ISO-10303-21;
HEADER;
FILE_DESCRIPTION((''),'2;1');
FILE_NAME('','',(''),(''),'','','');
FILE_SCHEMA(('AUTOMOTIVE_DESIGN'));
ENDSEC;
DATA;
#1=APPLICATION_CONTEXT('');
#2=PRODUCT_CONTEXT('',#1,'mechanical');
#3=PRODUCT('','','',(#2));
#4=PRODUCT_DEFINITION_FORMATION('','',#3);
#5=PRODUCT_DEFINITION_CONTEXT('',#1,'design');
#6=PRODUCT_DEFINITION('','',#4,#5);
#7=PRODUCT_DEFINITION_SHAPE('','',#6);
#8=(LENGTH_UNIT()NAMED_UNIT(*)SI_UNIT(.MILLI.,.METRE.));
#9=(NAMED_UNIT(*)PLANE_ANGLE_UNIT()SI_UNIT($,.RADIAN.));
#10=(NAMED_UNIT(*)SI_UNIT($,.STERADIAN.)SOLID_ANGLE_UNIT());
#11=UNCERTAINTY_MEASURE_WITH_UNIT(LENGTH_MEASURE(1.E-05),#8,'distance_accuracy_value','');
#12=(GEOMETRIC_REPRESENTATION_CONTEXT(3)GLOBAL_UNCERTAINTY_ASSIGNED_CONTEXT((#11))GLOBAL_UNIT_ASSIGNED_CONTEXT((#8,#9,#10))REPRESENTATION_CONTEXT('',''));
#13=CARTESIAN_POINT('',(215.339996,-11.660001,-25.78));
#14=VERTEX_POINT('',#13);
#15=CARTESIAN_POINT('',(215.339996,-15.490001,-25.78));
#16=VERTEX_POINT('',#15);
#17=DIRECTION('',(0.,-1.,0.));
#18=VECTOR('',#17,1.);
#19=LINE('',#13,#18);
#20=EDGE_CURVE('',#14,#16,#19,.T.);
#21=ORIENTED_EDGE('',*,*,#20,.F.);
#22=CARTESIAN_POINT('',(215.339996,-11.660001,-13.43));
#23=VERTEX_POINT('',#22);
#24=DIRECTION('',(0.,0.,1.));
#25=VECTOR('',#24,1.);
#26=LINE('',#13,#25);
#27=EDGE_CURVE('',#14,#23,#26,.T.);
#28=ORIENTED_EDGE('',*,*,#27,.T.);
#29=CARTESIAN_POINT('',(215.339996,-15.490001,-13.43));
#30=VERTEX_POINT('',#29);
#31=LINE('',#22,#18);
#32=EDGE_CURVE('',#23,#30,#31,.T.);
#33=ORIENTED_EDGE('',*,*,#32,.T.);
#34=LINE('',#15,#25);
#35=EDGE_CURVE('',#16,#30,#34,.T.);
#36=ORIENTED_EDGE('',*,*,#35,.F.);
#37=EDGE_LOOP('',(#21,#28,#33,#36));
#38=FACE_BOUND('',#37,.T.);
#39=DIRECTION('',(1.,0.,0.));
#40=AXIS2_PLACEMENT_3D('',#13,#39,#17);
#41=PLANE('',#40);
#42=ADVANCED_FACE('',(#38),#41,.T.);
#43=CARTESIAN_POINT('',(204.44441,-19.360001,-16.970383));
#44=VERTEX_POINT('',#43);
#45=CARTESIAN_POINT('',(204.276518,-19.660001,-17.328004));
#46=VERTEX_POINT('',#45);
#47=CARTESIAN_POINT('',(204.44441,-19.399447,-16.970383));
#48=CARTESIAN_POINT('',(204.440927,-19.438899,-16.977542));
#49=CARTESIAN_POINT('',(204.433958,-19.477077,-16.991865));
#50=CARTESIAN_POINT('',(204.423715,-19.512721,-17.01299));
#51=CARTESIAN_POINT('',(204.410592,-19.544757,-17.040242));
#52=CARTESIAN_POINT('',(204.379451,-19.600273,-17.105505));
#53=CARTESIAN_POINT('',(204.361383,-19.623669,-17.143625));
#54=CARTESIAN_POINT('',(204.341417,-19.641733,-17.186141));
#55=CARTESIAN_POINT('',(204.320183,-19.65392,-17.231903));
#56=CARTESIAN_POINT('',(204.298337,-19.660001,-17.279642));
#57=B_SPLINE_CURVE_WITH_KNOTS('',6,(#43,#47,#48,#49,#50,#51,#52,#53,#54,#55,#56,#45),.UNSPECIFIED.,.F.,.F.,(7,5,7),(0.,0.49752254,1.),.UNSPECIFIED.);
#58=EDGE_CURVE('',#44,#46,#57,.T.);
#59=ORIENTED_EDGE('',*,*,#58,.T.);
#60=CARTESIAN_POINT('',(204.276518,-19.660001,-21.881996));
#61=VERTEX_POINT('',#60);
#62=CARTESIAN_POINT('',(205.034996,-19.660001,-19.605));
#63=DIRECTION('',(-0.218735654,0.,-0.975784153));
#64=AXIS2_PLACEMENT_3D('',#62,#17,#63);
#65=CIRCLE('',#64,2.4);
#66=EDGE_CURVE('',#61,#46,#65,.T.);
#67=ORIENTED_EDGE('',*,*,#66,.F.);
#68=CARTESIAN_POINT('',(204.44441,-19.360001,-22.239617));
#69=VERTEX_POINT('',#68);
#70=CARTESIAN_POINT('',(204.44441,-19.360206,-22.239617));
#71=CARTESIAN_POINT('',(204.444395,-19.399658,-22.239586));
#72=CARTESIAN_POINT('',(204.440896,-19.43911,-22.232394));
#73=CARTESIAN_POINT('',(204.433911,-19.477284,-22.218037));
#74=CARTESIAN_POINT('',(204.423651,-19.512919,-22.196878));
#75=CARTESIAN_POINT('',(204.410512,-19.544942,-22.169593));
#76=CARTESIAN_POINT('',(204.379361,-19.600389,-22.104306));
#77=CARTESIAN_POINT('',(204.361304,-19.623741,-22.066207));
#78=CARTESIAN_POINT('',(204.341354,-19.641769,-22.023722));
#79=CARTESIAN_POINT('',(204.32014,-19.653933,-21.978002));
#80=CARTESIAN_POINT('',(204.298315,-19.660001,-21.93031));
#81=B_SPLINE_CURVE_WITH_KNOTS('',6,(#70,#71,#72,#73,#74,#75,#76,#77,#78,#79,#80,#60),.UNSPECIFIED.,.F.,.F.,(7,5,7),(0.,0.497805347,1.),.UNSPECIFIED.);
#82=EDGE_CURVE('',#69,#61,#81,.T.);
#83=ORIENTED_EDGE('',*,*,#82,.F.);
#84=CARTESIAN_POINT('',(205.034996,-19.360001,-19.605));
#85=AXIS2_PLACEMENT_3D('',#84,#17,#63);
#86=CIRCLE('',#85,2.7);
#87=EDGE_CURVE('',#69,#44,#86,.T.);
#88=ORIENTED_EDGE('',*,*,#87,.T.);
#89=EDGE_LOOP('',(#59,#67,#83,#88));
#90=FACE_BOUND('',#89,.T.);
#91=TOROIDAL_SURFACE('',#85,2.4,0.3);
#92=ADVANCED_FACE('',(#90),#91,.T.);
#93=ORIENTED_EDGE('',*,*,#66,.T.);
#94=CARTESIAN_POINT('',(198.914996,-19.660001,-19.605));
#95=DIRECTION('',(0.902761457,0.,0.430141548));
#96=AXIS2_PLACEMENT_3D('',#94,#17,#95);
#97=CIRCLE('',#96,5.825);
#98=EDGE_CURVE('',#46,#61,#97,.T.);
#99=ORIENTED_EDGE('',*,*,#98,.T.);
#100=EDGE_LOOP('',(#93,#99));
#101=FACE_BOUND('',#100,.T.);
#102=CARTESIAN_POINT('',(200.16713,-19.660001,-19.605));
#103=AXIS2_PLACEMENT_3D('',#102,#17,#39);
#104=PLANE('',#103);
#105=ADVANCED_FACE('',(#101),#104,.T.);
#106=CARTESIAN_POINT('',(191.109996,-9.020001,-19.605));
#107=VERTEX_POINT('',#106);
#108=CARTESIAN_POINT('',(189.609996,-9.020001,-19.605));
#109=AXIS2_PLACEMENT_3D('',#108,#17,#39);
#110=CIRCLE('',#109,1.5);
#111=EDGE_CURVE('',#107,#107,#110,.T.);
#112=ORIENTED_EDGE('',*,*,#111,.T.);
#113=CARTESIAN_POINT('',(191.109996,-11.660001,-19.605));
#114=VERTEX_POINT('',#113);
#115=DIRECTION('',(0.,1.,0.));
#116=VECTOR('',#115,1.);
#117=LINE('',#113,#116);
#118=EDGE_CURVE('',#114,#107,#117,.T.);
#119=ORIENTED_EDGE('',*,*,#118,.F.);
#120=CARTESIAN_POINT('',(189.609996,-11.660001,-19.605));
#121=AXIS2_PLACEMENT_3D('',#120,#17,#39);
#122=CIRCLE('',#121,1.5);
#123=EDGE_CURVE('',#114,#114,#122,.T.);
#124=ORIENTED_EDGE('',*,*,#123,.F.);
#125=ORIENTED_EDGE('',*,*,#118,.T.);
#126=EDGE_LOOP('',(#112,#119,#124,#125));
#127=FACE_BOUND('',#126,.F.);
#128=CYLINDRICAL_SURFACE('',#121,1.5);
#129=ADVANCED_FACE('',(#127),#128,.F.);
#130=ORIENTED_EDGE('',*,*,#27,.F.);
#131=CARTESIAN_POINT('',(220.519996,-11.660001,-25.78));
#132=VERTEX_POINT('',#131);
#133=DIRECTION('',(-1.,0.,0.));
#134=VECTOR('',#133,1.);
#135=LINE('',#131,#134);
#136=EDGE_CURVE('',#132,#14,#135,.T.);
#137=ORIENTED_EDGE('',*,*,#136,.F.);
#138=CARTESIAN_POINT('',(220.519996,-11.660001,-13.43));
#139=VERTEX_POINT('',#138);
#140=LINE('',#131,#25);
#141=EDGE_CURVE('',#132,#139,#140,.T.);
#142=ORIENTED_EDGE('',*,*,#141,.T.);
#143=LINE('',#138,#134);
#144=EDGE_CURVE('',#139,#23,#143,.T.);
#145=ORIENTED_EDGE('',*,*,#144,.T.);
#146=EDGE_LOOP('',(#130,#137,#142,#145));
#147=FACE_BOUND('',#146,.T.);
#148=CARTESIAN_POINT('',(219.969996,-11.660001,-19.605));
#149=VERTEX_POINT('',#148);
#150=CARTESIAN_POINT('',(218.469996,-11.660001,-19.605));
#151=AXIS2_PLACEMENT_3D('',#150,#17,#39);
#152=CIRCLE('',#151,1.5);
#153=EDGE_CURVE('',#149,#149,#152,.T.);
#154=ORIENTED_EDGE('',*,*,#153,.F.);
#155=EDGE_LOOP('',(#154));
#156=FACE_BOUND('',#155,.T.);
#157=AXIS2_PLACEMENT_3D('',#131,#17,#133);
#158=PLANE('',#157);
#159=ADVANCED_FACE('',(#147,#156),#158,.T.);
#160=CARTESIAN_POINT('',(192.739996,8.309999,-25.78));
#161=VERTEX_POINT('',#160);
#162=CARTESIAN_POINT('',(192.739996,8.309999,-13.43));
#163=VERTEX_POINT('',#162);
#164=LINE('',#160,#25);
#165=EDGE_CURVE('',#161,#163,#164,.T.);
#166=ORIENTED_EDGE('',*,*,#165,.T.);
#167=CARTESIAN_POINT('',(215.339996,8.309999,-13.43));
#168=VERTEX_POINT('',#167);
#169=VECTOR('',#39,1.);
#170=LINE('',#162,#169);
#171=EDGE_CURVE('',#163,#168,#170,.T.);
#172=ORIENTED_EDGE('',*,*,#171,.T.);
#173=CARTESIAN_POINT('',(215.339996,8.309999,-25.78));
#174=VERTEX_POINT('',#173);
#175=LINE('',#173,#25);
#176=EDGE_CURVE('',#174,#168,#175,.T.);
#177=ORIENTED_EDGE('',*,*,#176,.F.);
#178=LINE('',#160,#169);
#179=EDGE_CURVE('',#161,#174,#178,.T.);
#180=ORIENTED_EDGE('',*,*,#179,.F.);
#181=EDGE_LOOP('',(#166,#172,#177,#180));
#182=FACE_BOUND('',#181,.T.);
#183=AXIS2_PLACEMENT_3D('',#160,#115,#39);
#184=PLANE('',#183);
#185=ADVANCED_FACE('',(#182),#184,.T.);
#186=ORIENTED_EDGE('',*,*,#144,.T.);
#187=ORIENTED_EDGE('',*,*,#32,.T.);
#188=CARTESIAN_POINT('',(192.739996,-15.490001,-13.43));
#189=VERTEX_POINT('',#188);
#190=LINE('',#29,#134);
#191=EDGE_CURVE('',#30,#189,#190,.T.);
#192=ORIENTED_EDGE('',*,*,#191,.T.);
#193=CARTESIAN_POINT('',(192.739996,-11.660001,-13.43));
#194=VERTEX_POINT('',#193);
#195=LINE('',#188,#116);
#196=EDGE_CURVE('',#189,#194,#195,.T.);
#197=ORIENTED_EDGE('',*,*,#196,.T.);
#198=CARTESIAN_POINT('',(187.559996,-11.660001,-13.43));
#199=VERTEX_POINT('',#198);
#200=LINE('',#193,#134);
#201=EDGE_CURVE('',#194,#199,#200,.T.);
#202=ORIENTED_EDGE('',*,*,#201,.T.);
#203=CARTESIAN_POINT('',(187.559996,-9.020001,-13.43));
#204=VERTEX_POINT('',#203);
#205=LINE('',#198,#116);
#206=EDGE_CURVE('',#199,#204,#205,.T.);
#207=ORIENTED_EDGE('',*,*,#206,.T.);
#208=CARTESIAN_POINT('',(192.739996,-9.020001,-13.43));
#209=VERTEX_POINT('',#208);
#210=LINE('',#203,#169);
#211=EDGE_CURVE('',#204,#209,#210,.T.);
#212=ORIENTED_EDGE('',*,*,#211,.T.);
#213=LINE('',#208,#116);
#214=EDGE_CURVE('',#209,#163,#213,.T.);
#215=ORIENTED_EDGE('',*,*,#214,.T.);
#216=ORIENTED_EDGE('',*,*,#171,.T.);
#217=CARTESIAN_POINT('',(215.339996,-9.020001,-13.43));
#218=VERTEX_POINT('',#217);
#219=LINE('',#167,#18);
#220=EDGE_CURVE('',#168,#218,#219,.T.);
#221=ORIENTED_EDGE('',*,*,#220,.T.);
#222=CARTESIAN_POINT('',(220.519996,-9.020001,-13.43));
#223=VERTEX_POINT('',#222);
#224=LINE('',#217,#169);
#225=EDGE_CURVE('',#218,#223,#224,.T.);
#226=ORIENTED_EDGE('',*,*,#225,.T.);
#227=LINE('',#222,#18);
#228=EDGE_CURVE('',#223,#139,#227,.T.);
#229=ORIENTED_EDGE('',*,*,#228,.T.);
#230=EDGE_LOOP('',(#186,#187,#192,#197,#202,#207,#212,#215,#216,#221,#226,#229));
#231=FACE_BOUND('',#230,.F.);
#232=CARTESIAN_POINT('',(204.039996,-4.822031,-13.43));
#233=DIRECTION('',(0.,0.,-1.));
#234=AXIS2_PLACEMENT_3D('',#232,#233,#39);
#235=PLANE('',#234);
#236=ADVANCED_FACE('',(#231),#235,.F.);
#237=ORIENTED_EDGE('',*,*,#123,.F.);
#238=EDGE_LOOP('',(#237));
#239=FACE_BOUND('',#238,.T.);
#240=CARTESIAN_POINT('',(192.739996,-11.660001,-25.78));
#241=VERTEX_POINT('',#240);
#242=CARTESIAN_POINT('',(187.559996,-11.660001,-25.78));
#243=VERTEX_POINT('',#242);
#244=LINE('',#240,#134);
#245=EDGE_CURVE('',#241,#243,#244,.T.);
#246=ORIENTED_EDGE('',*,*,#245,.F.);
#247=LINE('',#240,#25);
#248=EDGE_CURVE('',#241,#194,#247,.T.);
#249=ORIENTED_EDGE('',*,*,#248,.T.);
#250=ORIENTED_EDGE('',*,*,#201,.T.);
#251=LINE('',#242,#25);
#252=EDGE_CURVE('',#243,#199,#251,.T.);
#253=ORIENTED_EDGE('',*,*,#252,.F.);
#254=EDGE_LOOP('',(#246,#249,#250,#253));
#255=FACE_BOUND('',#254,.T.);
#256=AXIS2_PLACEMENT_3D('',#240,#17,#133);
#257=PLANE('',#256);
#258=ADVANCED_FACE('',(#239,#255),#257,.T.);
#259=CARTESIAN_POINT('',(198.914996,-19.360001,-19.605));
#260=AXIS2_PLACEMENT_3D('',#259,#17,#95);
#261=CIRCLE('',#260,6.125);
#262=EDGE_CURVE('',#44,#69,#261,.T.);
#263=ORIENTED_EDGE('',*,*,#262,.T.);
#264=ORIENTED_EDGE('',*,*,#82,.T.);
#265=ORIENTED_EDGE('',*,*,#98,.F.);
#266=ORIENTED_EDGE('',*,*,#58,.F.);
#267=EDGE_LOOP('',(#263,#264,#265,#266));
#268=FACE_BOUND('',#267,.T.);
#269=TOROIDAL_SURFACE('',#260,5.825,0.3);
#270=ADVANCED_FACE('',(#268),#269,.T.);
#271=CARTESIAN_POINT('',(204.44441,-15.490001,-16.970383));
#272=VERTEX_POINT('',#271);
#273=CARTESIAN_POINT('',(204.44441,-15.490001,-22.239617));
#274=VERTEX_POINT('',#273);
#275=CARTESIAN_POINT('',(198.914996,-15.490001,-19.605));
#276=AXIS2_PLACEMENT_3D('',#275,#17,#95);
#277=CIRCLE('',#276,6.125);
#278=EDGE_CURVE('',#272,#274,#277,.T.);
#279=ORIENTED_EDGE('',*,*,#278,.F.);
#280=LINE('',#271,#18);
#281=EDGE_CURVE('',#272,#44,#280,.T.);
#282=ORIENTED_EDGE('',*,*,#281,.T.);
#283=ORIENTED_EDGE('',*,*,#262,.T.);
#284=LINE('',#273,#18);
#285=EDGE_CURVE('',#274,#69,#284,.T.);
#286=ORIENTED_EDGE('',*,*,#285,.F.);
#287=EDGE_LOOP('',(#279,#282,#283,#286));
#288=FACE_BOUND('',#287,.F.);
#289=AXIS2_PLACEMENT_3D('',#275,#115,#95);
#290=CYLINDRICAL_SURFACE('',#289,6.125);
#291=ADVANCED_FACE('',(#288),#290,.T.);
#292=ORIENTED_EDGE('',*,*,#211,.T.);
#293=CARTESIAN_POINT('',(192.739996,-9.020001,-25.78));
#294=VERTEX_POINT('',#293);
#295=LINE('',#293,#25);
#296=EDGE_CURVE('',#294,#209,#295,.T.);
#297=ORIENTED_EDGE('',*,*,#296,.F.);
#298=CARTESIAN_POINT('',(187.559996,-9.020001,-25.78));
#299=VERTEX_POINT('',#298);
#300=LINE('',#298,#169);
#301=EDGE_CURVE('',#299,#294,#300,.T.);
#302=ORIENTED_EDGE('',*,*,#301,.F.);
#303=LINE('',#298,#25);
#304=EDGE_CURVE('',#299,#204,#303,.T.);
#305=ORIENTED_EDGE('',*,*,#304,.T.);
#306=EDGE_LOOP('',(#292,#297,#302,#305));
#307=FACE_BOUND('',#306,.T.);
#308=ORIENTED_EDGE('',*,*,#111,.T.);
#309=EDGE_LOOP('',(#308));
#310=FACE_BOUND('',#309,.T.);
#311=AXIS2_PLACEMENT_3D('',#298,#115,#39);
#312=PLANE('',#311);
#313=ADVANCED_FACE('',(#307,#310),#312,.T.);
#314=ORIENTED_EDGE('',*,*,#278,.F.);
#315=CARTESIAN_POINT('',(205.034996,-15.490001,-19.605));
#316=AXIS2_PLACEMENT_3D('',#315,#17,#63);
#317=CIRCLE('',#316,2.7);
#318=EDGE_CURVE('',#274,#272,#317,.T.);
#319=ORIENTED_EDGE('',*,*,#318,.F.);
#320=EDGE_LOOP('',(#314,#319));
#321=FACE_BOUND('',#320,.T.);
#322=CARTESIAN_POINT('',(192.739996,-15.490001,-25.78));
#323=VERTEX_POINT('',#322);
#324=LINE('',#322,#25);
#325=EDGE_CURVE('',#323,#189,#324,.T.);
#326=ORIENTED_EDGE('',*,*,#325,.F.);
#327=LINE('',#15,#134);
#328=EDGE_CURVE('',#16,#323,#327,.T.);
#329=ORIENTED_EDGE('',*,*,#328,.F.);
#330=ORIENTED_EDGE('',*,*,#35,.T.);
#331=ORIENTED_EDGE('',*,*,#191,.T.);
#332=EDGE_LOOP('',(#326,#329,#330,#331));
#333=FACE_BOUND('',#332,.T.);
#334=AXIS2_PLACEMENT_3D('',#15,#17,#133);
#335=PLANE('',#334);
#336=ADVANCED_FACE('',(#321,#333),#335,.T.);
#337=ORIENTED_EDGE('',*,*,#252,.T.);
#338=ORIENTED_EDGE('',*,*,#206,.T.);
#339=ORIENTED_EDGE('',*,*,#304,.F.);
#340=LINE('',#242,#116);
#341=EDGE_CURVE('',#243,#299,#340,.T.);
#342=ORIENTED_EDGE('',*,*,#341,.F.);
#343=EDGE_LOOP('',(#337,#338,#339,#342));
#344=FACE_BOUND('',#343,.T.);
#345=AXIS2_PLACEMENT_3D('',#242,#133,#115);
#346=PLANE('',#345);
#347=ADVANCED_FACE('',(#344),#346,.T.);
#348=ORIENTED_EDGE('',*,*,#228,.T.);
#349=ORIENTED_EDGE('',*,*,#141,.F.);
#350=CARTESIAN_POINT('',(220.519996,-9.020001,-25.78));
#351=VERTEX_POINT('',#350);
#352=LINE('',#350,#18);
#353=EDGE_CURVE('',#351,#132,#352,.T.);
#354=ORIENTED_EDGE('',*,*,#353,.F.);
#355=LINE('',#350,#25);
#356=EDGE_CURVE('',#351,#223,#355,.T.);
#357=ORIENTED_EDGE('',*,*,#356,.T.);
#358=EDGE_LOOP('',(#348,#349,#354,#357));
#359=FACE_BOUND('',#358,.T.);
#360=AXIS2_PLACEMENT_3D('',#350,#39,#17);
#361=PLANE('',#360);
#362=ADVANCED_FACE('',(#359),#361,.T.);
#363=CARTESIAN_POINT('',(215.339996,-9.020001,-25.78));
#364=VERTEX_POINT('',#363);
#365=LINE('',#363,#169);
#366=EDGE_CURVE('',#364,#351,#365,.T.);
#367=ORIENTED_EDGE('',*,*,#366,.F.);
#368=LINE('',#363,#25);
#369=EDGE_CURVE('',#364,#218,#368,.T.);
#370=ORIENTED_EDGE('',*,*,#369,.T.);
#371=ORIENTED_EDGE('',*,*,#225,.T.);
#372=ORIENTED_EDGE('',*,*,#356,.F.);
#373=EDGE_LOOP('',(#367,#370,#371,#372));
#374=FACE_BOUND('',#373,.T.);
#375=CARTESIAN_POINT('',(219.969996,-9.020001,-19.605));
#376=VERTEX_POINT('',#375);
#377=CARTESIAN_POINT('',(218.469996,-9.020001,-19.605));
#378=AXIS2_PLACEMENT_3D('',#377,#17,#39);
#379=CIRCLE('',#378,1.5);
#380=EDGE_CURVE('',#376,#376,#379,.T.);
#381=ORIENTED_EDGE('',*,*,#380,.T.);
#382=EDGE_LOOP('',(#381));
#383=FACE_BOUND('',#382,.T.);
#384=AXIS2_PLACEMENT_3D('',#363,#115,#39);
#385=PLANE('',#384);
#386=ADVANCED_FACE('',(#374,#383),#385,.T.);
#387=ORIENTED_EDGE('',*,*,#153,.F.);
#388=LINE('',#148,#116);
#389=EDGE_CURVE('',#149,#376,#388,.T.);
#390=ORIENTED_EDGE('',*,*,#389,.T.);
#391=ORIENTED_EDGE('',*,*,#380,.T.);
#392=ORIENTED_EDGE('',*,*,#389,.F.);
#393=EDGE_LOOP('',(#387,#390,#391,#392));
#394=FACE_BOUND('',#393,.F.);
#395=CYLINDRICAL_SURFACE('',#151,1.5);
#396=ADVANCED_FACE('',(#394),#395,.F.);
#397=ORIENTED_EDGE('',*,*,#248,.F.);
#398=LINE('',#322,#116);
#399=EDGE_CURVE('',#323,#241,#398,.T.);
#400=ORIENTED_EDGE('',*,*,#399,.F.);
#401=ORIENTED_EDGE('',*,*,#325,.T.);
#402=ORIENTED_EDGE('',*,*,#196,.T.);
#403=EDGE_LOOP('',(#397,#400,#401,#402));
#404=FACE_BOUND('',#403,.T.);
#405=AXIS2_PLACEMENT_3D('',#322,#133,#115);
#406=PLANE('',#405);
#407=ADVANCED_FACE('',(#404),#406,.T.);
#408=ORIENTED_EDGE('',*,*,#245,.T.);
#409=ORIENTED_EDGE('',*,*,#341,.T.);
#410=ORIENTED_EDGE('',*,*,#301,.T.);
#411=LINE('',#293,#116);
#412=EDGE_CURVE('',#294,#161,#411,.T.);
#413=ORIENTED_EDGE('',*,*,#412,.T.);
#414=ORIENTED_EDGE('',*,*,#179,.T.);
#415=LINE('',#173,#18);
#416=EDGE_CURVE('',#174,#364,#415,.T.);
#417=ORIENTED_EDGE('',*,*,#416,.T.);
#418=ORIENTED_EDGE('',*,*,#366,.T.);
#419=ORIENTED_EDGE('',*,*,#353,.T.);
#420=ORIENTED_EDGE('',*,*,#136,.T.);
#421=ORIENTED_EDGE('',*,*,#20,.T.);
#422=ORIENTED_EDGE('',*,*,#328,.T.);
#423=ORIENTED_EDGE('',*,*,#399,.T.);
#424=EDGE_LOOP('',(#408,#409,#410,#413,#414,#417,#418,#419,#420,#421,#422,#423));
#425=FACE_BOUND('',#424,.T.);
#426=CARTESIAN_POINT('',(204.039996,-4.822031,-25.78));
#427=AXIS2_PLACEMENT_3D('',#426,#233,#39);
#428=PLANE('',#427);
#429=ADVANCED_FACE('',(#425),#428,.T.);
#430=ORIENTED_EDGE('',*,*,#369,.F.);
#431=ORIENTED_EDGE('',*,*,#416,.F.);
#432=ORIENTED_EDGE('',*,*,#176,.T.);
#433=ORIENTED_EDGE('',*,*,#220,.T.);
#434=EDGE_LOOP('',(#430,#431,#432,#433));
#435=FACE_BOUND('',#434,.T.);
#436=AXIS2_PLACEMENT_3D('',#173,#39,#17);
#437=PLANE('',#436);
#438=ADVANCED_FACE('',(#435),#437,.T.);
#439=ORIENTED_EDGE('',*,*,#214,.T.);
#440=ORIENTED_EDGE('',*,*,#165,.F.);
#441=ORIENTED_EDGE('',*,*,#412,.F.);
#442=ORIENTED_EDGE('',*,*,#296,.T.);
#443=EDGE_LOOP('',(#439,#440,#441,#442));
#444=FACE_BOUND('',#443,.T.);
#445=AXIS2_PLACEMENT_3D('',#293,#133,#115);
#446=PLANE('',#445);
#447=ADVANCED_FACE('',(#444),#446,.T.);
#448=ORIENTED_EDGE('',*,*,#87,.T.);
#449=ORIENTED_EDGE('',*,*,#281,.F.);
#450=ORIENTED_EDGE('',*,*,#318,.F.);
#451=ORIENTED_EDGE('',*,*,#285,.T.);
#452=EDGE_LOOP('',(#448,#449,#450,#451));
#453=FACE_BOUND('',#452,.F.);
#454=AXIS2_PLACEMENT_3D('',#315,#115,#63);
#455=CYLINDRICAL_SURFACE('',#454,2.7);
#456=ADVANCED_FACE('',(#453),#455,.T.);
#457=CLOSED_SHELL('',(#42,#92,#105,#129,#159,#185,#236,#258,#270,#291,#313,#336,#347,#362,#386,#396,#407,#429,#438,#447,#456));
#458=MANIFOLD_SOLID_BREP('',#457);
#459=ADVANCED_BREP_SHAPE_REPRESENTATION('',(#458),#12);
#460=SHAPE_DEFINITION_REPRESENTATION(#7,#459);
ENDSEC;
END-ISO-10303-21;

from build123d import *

# Parameters (mm, degrees)
PAD015_DEPTH            = 12.35
PAD016_DEPTH            = 4.17
SKETCH030_R             = 1.5
POCKET008_DEPTH         = 5
FILLET009_R             = 0.3
BODY006_PLACEMENT_ANGLE = 180


with BuildPart() as part:
    # Sketch028 → Pad015 (new body)
    with BuildSketch(Plane.XY):
        Polygon((0, 23.8), (22.6, 23.8), (22.6, 19.97), (27.78, 19.97), (27.78, 17.33), (22.6, 17.33), (22.6, 0), (0, 0), (0, 17.33), (-5.18, 17.33), (-5.18, 19.97), (0, 19.97), align=None)
    extrude(amount=PAD015_DEPTH)

    # Sketch029 (on Face4 of Pad015) → Pad016 (join)
    with BuildSketch(Plane(origin=(0, 23.8, 0), x_dir=(-1, 0, 0), z_dir=(0, 1, 0))):
        with BuildLine():
            ThreePointArc((-10.895586, 8.809617), (-22.55, 6.175), (-10.895586, 3.540383))
            ThreePointArc((-10.895586, 3.540383), (-7.605, 6.175), (-10.895586, 8.809617))
        make_face()
    extrude(amount=PAD016_DEPTH)

    # Sketch030 (on Face10 of Pad016) → Pocket008 (cut)
    with BuildSketch(Plane(origin=(0, 19.97, 0), x_dir=(-1, 0, 0), z_dir=(0, 1, 0))):
        with Locations((-25.73, 6.175)):
            Circle(SKETCH030_R)
        with Locations((3.13, 6.175)):
            Circle(SKETCH030_R)
    extrude(amount=-POCKET008_DEPTH, mode=Mode.SUBTRACT)

    # Fillet009
    fillet009_edges = [part.edges().sort_by_distance(p)[0] for p in [
        (22.55, 27.97, 6.175),
        (7.605, 27.97, 6.175),
    ]]
    fillet(fillet009_edges, radius=FILLET009_R)


with BuildPart() as part_1:
    # Body006 placement: moved
    add(part.part.moved(Location((215.339996, 8.309999, -25.78))).rotate(Axis((215.339996, 8.309999, -25.78), (0, 0, 1)), BODY006_PLACEMENT_ANGLE))


solid = part_1.part
